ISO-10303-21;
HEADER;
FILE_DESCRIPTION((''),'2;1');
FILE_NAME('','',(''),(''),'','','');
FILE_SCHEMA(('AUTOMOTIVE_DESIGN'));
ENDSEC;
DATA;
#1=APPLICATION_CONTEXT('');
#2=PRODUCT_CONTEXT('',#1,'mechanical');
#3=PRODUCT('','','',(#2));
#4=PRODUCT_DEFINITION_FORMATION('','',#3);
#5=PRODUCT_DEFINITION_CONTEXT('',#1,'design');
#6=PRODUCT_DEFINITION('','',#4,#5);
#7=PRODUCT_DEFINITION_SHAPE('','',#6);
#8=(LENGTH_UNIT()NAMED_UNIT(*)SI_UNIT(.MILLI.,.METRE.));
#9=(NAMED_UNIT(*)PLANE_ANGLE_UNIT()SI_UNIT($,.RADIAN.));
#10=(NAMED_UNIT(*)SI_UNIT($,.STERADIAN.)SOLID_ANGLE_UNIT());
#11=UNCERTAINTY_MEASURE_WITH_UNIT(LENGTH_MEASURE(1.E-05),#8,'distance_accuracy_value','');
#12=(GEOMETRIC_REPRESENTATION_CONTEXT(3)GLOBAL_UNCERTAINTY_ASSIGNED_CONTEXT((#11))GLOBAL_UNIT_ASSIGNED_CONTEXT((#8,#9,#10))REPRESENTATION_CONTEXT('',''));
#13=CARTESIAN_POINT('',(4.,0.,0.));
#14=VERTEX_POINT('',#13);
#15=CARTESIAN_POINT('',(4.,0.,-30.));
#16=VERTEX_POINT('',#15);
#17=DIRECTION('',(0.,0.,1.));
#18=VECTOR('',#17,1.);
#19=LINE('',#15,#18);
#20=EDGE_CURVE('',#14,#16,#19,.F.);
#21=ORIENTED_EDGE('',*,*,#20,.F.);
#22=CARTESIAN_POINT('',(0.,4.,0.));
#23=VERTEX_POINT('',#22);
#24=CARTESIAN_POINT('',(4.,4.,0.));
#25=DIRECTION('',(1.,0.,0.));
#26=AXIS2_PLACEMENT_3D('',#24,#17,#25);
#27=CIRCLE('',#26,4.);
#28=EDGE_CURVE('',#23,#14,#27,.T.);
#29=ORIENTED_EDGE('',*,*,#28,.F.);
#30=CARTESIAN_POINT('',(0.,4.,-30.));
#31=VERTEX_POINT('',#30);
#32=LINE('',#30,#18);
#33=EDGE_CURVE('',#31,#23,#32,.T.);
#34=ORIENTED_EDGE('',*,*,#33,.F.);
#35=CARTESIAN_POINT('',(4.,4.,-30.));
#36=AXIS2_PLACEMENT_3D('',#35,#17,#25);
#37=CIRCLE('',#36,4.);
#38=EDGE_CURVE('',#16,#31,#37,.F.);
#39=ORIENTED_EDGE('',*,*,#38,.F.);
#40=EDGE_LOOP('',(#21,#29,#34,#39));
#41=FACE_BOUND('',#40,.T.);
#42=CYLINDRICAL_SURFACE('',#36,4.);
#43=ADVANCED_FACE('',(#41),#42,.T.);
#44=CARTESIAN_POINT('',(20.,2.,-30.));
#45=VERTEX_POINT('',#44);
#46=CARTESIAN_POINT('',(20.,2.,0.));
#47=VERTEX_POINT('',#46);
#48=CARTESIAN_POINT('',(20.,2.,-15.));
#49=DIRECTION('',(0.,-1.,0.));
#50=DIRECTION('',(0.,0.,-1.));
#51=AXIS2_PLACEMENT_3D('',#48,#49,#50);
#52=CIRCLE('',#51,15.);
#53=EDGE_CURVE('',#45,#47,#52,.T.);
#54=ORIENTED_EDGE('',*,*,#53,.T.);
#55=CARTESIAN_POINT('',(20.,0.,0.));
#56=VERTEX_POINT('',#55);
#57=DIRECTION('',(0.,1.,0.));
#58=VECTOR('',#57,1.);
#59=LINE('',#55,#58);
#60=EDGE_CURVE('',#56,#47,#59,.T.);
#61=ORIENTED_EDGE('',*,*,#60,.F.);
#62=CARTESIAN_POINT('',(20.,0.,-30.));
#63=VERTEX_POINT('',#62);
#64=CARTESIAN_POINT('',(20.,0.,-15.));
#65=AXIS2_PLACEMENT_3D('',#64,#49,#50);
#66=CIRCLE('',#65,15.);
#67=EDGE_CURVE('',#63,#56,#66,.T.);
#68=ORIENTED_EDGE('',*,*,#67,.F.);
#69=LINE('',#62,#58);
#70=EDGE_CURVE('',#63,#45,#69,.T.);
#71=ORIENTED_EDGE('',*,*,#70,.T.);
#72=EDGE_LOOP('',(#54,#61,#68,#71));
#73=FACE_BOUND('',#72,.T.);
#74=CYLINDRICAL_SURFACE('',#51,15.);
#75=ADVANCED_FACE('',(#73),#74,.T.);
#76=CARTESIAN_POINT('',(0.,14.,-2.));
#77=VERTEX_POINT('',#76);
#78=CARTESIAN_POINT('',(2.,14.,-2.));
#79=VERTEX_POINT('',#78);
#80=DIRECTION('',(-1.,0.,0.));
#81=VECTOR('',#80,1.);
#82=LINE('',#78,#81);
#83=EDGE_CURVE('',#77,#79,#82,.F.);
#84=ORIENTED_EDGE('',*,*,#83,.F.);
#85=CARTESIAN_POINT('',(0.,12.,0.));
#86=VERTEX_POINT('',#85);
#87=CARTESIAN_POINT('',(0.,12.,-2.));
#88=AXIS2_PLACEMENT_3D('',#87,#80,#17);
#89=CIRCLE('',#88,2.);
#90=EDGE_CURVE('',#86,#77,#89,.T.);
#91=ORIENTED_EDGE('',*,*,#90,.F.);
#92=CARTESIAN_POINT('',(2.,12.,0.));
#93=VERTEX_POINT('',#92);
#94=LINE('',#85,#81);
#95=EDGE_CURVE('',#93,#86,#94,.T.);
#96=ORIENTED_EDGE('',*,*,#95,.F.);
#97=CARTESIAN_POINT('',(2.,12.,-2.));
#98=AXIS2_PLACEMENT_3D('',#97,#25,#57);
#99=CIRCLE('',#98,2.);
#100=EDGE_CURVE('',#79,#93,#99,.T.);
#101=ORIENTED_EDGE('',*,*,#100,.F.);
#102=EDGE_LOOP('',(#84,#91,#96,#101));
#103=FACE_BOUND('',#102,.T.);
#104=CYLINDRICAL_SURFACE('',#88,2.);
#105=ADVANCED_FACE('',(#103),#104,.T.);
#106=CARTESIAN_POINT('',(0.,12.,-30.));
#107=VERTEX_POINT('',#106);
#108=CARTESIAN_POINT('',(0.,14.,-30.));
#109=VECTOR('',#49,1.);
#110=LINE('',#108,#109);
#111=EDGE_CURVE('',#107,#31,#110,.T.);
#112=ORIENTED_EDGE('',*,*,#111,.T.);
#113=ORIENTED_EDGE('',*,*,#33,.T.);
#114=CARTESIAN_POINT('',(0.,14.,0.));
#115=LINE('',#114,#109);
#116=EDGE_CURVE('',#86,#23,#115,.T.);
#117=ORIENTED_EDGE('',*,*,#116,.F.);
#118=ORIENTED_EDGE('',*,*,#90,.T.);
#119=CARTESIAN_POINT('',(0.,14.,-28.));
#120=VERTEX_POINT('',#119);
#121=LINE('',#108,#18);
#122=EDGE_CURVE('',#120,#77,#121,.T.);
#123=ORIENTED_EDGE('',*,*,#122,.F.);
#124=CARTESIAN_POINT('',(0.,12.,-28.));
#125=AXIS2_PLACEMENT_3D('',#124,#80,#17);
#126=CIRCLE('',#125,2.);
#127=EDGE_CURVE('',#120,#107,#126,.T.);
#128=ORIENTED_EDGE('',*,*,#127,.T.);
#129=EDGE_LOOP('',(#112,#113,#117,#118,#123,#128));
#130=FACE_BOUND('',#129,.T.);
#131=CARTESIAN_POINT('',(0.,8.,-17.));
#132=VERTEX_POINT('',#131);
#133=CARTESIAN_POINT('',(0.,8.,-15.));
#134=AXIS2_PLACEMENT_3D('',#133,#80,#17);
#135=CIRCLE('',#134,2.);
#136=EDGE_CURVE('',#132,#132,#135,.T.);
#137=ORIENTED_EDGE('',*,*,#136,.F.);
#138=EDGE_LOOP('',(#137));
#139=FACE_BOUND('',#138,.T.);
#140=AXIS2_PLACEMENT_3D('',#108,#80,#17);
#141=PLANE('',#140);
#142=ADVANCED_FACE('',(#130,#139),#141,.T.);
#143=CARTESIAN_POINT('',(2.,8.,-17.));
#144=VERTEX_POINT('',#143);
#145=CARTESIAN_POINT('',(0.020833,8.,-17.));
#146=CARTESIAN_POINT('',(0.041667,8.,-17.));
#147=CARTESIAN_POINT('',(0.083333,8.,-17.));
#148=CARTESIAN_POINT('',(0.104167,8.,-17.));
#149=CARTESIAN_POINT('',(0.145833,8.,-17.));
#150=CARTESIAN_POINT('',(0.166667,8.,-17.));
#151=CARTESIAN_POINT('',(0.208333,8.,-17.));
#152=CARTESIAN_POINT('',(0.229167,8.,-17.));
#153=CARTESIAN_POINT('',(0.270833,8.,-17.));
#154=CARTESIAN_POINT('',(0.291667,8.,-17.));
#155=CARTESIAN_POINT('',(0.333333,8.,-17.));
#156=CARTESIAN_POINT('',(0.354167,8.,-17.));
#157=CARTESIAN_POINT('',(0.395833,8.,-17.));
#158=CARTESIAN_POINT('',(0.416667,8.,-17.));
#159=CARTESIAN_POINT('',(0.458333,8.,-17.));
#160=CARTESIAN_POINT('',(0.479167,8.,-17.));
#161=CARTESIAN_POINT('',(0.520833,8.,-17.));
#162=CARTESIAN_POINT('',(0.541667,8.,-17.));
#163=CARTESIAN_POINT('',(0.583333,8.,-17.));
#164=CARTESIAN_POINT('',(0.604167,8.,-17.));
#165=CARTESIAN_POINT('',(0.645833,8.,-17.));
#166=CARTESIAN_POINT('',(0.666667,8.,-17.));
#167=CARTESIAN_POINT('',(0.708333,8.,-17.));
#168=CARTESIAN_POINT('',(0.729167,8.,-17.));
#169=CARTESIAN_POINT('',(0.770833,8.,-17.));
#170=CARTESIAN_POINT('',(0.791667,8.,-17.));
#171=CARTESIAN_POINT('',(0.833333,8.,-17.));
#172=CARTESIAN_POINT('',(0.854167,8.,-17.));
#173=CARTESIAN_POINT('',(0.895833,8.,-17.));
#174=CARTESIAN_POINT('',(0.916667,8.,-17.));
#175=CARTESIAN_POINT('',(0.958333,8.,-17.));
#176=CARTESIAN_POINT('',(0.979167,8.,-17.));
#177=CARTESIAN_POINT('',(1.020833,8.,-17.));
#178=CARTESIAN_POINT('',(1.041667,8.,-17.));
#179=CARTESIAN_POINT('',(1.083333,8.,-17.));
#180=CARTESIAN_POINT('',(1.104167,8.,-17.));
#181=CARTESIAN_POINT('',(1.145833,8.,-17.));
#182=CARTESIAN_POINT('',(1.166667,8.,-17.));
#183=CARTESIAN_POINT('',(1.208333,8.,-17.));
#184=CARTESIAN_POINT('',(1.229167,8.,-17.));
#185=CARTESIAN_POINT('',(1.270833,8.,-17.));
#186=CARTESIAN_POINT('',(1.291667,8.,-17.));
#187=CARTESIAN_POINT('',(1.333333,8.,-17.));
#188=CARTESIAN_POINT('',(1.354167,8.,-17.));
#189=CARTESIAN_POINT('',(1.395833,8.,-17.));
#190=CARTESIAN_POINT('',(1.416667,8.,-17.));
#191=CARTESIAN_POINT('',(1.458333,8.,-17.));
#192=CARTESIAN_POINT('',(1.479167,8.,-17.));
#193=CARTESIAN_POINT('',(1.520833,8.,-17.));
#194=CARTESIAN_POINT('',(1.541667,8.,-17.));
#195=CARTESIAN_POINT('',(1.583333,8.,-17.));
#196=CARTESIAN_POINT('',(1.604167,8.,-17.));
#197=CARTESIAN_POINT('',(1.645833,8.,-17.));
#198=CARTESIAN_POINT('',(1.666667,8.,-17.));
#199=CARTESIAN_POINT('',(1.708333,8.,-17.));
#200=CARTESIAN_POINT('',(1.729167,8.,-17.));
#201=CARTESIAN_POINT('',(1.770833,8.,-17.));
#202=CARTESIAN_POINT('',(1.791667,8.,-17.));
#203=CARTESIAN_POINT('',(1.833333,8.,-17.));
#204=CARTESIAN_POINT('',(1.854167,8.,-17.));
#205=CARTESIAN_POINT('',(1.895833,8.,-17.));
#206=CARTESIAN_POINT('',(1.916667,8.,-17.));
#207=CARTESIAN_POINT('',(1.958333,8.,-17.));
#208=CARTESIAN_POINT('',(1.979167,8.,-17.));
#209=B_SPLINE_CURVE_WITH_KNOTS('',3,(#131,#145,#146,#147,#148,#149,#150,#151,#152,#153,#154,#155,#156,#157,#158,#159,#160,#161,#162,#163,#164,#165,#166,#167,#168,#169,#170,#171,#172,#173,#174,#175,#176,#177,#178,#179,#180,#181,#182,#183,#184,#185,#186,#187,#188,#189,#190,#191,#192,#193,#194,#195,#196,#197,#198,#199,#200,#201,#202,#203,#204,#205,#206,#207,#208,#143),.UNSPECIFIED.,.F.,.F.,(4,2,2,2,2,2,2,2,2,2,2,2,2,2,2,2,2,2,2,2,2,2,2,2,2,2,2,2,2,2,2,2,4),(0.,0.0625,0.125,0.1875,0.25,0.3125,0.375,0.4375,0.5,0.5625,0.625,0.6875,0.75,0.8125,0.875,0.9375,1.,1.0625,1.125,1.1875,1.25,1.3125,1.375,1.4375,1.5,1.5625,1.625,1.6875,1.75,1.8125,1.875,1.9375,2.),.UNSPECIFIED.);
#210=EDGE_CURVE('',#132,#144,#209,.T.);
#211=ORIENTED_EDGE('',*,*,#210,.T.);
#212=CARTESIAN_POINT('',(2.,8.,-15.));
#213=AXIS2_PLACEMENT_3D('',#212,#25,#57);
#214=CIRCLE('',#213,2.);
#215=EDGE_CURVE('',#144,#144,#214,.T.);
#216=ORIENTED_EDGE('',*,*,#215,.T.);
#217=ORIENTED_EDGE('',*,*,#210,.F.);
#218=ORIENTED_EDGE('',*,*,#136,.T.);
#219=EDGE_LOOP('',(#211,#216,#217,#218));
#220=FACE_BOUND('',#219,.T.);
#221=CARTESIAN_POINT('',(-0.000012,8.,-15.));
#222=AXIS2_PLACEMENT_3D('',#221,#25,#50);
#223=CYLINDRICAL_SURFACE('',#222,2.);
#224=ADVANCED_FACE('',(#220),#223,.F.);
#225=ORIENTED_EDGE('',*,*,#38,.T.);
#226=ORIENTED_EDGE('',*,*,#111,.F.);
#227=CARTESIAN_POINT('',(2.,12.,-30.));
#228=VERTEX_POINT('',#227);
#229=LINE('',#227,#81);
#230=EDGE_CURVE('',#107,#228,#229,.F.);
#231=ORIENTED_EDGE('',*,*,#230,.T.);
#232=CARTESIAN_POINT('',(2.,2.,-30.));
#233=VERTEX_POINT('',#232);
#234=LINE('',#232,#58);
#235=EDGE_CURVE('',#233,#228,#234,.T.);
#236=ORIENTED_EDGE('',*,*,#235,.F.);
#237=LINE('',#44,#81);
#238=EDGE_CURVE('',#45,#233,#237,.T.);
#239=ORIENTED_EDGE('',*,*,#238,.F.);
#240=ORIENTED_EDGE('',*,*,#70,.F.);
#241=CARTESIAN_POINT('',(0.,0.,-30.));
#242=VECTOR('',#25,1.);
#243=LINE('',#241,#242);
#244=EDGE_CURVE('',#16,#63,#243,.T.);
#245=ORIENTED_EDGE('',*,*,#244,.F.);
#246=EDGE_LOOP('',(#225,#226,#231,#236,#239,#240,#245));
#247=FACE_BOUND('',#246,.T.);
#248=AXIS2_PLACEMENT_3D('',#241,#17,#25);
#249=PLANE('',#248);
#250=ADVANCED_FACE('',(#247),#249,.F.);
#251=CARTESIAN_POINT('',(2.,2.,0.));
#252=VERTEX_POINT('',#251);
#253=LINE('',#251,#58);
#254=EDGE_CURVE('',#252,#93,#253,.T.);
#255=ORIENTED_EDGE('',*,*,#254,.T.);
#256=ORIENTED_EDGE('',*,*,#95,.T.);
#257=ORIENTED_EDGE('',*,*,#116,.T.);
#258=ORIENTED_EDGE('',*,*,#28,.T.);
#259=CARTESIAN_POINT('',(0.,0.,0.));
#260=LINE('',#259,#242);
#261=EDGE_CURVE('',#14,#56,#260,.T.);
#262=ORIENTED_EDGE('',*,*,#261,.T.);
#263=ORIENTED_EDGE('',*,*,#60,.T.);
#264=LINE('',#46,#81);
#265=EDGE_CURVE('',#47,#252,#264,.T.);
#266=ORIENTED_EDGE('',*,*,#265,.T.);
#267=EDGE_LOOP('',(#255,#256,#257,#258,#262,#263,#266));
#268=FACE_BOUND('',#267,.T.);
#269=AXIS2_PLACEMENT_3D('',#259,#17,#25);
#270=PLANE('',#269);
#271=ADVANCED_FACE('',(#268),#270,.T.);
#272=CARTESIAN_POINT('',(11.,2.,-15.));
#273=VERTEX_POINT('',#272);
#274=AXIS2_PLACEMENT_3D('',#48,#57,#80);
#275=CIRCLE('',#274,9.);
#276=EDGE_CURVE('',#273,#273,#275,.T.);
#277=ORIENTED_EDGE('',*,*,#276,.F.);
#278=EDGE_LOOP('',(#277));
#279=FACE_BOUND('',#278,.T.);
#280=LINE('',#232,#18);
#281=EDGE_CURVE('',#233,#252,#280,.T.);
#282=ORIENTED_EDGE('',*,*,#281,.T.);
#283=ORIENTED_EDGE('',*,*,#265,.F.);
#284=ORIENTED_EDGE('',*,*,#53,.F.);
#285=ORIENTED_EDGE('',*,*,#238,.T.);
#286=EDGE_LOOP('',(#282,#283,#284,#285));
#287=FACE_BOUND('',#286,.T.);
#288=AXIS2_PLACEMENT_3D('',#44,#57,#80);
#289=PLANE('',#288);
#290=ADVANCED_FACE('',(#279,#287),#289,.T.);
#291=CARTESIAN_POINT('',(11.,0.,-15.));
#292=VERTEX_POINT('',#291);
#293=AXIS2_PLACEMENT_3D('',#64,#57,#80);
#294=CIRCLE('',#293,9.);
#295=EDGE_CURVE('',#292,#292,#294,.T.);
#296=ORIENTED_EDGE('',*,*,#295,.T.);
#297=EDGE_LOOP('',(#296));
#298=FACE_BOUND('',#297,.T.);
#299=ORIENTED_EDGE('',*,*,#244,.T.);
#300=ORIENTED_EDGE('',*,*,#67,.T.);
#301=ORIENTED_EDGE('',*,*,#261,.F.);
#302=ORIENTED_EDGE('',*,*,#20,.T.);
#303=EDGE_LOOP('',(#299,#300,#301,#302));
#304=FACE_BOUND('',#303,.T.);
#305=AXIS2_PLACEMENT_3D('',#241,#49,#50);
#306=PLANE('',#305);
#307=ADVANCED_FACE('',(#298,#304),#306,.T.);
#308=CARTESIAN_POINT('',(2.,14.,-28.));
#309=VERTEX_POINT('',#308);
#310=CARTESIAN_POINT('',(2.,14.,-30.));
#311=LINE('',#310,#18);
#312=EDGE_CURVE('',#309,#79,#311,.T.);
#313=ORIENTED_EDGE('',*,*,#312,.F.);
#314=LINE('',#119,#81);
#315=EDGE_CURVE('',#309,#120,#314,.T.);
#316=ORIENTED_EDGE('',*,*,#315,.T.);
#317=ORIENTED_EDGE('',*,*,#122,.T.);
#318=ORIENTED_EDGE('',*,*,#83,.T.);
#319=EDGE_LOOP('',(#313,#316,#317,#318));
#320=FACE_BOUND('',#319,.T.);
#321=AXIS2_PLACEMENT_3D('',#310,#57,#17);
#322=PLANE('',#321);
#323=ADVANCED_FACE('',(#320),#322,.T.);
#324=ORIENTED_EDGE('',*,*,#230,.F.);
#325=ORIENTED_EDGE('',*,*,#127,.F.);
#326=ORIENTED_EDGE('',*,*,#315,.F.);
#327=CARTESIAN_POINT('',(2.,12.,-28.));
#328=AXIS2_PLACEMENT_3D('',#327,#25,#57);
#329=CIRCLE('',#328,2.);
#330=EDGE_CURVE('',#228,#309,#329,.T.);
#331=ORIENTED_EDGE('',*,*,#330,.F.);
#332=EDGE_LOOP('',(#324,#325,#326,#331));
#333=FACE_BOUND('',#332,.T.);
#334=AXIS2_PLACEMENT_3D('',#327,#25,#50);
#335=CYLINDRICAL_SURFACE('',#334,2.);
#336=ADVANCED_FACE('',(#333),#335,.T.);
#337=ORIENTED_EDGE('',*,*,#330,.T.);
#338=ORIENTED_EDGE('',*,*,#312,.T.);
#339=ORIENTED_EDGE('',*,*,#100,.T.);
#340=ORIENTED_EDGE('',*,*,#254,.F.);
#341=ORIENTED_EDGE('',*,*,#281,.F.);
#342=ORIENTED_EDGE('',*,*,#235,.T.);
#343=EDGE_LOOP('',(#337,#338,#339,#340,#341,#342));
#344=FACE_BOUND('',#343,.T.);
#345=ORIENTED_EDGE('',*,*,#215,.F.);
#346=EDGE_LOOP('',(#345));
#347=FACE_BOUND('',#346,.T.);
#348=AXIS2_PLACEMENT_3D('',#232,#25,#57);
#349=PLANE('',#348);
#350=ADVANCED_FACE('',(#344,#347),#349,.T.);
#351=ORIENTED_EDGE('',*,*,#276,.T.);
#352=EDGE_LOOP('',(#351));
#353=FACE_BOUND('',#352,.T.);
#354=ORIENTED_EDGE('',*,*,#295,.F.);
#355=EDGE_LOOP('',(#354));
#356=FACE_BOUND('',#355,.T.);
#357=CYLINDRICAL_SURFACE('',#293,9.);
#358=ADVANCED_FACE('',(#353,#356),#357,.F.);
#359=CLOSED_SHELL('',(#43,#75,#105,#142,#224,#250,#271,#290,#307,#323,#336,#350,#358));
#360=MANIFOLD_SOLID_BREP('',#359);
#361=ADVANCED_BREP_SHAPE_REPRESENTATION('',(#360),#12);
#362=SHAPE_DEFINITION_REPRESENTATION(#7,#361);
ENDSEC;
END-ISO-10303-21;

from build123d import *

# Parameters (mm, degrees)
BOSS_EXTRUDE1_DEPTH     = 30
EXTRUDE_THIN1_DEPTH     = 2
SKETCH3_R               = 9
CUT_EXTRUDE1_DEPTH      = 48.634021455
FILLET2_R               = 4
CUT_EXTRUDE2_DEPTH      = 49.176757882
CUT_EXTRUDE2_DEPTH_BACK = 49.176757882
SKETCH4_R               = 2
FILLET3_R               = 2


with BuildPart() as part:
    # Sketch1 → Boss-Extrude1 (new body)
    with BuildSketch(Plane.XY):
        Polygon((0, 0), (20, 0), (20, 2), (2, 2), (2, 14), (0, 14), align=None)
    extrude(amount=-BOSS_EXTRUDE1_DEPTH)

    # Sketch2 → Extrude-Thin1 (add)
    with BuildSketch(Plane(origin=(0, 0, 0), x_dir=(1, 0, 0), z_dir=(0, 1, 0))):
        with BuildLine():
            ThreePointArc((20, 30), (35, 15), (20, 0))
            Line((20, 0), (20, 10))
            ThreePointArc((20, 10), (25, 15), (20, 20))
            Line((20, 20), (20, 30))
        make_face()
    extrude(amount=EXTRUDE_THIN1_DEPTH)

    # Sketch3 → Cut-Extrude1 (cut, through all)
    with BuildSketch(Plane(origin=(0, 2, 0), x_dir=(1, 0, 0), z_dir=(0, 1, 0))):
        with Locations(Location((20, 15, 0), (0, 0, 180))):
            Circle(SKETCH3_R)
    extrude(amount=-CUT_EXTRUDE1_DEPTH, mode=Mode.SUBTRACT)

    # Fillet2
    fillet2_edges = [part.edges().sort_by_distance(p)[0] for p in [
        (0, 0, -15),
    ]]
    fillet(fillet2_edges, radius=FILLET2_R)

    # Sketch4 → Cut-Extrude2 (cut, two sides: drawn at the far end of the back side and taken through both)
    with BuildSketch(Plane(origin=(0, 0, 0), x_dir=(0, 0, -1), z_dir=(1, 0, 0)).offset(-CUT_EXTRUDE2_DEPTH_BACK)):
        with Locations((15, 8)):
            Circle(SKETCH4_R)
    extrude(amount=CUT_EXTRUDE2_DEPTH + CUT_EXTRUDE2_DEPTH_BACK, mode=Mode.SUBTRACT)

    # Fillet3
    fillet3_edges = [part.edges().sort_by_distance(p)[0] for p in [
        (1, 14, -30),
        (1, 14, 0),
    ]]
    fillet(fillet3_edges, radius=FILLET3_R)


solid = part.part
